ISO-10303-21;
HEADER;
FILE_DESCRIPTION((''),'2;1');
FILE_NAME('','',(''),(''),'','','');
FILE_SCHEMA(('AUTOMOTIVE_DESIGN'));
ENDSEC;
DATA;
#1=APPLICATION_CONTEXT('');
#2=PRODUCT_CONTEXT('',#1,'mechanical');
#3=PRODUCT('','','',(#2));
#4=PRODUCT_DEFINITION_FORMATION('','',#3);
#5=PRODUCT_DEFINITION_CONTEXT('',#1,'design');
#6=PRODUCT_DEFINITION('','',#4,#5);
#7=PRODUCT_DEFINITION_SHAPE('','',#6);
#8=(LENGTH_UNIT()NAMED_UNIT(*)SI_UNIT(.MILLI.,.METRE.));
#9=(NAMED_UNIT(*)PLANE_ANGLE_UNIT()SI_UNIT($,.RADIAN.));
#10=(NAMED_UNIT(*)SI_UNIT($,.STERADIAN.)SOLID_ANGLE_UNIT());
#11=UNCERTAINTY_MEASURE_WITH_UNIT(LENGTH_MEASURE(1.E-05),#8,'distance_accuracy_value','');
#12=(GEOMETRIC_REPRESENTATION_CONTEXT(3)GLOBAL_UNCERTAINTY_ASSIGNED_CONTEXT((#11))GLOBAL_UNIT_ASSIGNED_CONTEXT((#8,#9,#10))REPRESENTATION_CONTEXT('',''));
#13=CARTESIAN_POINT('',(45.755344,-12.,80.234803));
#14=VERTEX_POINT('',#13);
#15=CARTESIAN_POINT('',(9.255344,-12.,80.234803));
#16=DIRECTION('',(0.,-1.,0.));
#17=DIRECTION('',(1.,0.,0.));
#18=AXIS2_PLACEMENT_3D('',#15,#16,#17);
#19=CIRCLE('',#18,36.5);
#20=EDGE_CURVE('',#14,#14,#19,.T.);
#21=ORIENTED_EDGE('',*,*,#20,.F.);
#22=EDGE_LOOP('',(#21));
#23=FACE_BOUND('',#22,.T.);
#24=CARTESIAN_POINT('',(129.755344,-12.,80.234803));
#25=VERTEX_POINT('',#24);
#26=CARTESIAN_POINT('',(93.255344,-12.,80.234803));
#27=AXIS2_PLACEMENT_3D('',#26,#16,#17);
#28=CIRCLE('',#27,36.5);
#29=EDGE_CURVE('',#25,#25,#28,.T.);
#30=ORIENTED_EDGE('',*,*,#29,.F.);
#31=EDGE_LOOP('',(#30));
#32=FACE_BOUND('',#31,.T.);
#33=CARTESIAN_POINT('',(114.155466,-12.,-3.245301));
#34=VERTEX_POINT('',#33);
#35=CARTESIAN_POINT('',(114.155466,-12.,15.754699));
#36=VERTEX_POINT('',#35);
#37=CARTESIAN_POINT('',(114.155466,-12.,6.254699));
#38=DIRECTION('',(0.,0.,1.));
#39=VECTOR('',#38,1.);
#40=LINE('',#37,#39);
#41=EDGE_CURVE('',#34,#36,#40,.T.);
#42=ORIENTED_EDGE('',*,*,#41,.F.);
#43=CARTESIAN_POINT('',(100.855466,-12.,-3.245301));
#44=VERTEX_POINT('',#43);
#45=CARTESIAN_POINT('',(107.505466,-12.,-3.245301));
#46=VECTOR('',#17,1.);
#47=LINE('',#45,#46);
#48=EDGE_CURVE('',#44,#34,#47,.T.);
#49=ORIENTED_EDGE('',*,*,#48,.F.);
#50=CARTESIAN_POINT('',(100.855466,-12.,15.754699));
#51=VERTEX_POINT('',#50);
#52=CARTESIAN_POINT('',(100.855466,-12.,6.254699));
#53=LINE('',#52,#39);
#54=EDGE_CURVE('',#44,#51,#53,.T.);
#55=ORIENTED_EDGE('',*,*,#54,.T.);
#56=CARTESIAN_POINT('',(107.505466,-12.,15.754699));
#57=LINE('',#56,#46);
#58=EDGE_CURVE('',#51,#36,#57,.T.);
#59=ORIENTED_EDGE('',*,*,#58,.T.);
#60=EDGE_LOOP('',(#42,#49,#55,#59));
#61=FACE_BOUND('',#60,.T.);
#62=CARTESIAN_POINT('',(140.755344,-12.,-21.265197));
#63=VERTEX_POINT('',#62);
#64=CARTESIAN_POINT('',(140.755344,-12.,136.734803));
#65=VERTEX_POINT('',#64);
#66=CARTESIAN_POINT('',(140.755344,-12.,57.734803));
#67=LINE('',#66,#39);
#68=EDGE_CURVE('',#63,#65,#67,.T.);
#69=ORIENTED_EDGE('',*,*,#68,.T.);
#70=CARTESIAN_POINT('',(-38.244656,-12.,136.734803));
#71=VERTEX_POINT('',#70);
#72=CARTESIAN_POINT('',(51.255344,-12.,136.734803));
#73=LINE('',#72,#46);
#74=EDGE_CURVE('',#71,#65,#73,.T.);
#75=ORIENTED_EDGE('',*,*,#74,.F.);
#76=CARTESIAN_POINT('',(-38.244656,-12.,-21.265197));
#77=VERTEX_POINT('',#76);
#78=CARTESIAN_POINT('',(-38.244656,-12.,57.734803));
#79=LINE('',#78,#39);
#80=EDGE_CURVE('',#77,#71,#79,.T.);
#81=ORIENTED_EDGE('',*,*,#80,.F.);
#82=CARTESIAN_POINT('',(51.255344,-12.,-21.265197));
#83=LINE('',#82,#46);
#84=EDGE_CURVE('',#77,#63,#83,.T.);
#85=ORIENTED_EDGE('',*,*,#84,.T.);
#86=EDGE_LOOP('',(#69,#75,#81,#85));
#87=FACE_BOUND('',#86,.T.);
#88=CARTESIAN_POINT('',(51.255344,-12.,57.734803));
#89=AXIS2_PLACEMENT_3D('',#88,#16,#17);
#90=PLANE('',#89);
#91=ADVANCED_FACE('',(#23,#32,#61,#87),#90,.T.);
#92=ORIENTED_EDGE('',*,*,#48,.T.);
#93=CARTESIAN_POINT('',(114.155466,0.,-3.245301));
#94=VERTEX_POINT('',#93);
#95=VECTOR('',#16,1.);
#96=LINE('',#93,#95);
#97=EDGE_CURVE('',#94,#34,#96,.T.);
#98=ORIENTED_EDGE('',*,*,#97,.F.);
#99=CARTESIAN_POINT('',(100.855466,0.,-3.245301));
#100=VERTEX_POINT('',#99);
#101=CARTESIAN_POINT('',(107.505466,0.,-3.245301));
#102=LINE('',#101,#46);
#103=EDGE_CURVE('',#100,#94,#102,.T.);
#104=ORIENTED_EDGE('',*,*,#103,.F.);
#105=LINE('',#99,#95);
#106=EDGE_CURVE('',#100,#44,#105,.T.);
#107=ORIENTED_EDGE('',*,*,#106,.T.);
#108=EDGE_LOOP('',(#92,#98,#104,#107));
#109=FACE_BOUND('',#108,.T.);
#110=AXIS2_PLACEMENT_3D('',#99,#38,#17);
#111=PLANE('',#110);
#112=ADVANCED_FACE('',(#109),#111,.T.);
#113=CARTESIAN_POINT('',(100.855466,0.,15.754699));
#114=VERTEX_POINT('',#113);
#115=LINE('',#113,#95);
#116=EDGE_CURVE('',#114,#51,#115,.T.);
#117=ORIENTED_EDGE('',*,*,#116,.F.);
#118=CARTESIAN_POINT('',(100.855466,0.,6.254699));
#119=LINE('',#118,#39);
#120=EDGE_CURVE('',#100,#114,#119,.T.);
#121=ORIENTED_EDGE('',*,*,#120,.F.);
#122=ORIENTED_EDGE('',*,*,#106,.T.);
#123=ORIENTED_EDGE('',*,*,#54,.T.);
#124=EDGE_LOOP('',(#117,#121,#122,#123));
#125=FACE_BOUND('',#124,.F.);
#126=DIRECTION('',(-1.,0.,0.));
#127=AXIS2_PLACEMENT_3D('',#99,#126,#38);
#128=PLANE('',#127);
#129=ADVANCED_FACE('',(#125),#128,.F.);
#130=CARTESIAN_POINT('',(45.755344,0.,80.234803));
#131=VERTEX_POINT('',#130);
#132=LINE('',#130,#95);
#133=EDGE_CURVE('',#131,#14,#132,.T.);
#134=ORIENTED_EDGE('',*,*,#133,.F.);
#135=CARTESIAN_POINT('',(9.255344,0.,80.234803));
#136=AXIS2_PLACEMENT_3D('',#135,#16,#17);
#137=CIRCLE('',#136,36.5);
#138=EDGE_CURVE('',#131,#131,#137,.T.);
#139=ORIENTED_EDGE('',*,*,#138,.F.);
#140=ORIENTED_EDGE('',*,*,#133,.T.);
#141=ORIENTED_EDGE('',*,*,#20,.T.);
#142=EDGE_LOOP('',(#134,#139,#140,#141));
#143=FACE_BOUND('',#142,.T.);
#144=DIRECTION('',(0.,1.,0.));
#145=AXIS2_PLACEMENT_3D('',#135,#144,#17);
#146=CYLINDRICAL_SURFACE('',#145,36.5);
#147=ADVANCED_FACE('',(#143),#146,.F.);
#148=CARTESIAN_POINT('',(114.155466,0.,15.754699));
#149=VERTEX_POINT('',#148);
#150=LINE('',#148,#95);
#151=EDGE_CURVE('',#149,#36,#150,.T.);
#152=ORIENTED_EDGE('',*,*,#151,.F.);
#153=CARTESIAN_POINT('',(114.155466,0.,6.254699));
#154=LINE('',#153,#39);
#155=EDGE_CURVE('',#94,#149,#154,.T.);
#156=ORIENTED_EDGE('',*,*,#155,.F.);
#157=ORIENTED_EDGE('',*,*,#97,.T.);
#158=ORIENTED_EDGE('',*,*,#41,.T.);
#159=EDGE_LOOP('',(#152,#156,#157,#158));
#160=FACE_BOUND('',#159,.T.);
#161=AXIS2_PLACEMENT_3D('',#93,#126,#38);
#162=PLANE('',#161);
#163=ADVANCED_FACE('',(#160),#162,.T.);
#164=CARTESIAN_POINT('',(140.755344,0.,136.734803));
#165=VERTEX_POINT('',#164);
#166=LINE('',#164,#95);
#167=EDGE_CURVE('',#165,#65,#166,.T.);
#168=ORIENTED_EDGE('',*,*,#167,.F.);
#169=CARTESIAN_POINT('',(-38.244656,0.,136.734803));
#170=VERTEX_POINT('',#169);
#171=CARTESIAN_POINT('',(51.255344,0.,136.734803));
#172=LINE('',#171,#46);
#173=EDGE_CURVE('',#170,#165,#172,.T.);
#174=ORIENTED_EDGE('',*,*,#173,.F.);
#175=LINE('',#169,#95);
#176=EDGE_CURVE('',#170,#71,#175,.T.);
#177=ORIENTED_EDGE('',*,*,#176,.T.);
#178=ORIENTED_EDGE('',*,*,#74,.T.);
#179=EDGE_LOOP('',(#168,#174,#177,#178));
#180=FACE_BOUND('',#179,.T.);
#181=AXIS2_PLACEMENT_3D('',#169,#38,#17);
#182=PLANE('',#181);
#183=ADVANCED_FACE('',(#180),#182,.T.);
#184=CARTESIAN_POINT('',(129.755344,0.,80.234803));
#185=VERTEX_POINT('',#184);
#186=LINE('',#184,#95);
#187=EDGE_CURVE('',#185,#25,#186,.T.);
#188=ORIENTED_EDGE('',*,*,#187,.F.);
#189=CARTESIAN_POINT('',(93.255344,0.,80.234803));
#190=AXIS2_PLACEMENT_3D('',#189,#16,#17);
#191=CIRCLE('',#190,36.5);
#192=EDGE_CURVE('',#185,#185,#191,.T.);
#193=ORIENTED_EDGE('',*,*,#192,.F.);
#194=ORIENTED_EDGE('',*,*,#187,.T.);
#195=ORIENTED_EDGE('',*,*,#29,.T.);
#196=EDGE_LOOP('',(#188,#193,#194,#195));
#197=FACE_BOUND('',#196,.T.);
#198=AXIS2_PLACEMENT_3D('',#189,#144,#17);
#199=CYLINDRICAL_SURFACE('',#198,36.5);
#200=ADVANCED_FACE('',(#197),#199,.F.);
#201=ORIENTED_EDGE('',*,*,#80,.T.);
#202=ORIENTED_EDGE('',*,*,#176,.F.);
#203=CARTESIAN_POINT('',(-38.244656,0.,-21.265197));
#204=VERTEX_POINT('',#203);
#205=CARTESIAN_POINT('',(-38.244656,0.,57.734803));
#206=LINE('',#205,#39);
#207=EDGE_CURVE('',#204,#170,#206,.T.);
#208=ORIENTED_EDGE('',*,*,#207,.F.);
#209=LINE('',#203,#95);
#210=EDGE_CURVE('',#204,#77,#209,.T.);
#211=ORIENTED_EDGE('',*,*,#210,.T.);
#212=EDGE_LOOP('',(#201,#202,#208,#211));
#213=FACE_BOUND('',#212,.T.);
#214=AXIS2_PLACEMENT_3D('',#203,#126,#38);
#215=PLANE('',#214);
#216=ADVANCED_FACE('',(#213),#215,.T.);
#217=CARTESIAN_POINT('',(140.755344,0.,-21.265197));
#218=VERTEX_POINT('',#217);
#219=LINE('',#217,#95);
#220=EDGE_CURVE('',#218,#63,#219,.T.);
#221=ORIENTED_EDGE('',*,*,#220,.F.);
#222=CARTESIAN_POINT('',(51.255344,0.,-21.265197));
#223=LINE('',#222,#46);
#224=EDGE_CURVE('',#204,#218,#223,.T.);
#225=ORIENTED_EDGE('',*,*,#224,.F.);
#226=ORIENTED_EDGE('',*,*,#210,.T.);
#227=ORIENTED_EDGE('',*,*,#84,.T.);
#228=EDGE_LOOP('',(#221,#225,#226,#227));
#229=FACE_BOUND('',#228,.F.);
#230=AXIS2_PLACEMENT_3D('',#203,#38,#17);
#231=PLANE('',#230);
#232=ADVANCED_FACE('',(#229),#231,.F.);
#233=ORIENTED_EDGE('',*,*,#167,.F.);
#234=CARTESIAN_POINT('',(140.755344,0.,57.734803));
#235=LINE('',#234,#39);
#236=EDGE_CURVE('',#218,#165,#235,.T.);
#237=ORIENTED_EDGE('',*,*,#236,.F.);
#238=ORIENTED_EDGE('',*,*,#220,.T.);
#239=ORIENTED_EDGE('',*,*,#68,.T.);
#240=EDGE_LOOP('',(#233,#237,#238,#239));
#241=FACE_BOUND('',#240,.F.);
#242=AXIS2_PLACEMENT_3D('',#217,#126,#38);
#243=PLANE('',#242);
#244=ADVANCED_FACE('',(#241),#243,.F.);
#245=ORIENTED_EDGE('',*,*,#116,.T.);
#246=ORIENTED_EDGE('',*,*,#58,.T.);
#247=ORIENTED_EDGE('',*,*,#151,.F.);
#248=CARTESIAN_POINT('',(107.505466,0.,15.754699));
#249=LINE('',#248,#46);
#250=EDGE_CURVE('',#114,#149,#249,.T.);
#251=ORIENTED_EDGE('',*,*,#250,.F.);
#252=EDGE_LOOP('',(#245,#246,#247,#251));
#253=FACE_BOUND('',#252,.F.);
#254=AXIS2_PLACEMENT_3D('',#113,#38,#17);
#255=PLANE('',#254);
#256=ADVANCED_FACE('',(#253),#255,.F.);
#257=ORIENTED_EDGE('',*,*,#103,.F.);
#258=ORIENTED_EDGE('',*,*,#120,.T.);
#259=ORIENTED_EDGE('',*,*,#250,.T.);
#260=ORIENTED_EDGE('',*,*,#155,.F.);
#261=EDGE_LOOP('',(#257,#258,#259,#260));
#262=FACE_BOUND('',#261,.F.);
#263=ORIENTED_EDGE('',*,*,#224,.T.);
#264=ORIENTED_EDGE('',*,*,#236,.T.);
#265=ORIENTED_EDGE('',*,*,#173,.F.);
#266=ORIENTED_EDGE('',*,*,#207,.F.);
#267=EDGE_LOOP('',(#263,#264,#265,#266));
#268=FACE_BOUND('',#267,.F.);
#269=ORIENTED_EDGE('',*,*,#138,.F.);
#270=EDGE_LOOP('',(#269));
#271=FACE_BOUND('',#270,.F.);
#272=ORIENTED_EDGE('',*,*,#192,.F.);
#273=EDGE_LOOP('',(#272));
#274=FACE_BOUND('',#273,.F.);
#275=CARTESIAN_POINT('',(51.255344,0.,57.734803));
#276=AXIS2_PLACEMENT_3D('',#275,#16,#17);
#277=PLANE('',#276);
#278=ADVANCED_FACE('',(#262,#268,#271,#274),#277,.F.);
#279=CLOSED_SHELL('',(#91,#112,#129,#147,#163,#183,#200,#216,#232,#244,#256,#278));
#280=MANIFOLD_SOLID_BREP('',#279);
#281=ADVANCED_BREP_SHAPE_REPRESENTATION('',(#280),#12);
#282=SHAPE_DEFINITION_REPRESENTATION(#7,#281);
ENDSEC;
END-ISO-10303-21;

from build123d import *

# Parameters (mm, degrees)
F0_W     = 179
F0_H     = 158
F0_W_2   = 13.3
F0_H_2   = 19
F0_R     = 36.5
F1_DEPTH = 12


with BuildPart() as f1:
    # F0 (on Front) → F1 (new body)
    with BuildSketch(Plane.XZ):
        with Locations((51.255344, 57.734803)):
            Rectangle(F0_W, F0_H)
        with Locations((107.505466, 6.254699)):
            Rectangle(F0_W_2, F0_H_2, mode=Mode.SUBTRACT)
        with Locations((9.255344, 80.234803)):
            Circle(F0_R, mode=Mode.SUBTRACT)
        with Locations((93.255344, 80.234803)):
            Circle(F0_R, mode=Mode.SUBTRACT)
    extrude(amount=F1_DEPTH)


solid = f1.part
